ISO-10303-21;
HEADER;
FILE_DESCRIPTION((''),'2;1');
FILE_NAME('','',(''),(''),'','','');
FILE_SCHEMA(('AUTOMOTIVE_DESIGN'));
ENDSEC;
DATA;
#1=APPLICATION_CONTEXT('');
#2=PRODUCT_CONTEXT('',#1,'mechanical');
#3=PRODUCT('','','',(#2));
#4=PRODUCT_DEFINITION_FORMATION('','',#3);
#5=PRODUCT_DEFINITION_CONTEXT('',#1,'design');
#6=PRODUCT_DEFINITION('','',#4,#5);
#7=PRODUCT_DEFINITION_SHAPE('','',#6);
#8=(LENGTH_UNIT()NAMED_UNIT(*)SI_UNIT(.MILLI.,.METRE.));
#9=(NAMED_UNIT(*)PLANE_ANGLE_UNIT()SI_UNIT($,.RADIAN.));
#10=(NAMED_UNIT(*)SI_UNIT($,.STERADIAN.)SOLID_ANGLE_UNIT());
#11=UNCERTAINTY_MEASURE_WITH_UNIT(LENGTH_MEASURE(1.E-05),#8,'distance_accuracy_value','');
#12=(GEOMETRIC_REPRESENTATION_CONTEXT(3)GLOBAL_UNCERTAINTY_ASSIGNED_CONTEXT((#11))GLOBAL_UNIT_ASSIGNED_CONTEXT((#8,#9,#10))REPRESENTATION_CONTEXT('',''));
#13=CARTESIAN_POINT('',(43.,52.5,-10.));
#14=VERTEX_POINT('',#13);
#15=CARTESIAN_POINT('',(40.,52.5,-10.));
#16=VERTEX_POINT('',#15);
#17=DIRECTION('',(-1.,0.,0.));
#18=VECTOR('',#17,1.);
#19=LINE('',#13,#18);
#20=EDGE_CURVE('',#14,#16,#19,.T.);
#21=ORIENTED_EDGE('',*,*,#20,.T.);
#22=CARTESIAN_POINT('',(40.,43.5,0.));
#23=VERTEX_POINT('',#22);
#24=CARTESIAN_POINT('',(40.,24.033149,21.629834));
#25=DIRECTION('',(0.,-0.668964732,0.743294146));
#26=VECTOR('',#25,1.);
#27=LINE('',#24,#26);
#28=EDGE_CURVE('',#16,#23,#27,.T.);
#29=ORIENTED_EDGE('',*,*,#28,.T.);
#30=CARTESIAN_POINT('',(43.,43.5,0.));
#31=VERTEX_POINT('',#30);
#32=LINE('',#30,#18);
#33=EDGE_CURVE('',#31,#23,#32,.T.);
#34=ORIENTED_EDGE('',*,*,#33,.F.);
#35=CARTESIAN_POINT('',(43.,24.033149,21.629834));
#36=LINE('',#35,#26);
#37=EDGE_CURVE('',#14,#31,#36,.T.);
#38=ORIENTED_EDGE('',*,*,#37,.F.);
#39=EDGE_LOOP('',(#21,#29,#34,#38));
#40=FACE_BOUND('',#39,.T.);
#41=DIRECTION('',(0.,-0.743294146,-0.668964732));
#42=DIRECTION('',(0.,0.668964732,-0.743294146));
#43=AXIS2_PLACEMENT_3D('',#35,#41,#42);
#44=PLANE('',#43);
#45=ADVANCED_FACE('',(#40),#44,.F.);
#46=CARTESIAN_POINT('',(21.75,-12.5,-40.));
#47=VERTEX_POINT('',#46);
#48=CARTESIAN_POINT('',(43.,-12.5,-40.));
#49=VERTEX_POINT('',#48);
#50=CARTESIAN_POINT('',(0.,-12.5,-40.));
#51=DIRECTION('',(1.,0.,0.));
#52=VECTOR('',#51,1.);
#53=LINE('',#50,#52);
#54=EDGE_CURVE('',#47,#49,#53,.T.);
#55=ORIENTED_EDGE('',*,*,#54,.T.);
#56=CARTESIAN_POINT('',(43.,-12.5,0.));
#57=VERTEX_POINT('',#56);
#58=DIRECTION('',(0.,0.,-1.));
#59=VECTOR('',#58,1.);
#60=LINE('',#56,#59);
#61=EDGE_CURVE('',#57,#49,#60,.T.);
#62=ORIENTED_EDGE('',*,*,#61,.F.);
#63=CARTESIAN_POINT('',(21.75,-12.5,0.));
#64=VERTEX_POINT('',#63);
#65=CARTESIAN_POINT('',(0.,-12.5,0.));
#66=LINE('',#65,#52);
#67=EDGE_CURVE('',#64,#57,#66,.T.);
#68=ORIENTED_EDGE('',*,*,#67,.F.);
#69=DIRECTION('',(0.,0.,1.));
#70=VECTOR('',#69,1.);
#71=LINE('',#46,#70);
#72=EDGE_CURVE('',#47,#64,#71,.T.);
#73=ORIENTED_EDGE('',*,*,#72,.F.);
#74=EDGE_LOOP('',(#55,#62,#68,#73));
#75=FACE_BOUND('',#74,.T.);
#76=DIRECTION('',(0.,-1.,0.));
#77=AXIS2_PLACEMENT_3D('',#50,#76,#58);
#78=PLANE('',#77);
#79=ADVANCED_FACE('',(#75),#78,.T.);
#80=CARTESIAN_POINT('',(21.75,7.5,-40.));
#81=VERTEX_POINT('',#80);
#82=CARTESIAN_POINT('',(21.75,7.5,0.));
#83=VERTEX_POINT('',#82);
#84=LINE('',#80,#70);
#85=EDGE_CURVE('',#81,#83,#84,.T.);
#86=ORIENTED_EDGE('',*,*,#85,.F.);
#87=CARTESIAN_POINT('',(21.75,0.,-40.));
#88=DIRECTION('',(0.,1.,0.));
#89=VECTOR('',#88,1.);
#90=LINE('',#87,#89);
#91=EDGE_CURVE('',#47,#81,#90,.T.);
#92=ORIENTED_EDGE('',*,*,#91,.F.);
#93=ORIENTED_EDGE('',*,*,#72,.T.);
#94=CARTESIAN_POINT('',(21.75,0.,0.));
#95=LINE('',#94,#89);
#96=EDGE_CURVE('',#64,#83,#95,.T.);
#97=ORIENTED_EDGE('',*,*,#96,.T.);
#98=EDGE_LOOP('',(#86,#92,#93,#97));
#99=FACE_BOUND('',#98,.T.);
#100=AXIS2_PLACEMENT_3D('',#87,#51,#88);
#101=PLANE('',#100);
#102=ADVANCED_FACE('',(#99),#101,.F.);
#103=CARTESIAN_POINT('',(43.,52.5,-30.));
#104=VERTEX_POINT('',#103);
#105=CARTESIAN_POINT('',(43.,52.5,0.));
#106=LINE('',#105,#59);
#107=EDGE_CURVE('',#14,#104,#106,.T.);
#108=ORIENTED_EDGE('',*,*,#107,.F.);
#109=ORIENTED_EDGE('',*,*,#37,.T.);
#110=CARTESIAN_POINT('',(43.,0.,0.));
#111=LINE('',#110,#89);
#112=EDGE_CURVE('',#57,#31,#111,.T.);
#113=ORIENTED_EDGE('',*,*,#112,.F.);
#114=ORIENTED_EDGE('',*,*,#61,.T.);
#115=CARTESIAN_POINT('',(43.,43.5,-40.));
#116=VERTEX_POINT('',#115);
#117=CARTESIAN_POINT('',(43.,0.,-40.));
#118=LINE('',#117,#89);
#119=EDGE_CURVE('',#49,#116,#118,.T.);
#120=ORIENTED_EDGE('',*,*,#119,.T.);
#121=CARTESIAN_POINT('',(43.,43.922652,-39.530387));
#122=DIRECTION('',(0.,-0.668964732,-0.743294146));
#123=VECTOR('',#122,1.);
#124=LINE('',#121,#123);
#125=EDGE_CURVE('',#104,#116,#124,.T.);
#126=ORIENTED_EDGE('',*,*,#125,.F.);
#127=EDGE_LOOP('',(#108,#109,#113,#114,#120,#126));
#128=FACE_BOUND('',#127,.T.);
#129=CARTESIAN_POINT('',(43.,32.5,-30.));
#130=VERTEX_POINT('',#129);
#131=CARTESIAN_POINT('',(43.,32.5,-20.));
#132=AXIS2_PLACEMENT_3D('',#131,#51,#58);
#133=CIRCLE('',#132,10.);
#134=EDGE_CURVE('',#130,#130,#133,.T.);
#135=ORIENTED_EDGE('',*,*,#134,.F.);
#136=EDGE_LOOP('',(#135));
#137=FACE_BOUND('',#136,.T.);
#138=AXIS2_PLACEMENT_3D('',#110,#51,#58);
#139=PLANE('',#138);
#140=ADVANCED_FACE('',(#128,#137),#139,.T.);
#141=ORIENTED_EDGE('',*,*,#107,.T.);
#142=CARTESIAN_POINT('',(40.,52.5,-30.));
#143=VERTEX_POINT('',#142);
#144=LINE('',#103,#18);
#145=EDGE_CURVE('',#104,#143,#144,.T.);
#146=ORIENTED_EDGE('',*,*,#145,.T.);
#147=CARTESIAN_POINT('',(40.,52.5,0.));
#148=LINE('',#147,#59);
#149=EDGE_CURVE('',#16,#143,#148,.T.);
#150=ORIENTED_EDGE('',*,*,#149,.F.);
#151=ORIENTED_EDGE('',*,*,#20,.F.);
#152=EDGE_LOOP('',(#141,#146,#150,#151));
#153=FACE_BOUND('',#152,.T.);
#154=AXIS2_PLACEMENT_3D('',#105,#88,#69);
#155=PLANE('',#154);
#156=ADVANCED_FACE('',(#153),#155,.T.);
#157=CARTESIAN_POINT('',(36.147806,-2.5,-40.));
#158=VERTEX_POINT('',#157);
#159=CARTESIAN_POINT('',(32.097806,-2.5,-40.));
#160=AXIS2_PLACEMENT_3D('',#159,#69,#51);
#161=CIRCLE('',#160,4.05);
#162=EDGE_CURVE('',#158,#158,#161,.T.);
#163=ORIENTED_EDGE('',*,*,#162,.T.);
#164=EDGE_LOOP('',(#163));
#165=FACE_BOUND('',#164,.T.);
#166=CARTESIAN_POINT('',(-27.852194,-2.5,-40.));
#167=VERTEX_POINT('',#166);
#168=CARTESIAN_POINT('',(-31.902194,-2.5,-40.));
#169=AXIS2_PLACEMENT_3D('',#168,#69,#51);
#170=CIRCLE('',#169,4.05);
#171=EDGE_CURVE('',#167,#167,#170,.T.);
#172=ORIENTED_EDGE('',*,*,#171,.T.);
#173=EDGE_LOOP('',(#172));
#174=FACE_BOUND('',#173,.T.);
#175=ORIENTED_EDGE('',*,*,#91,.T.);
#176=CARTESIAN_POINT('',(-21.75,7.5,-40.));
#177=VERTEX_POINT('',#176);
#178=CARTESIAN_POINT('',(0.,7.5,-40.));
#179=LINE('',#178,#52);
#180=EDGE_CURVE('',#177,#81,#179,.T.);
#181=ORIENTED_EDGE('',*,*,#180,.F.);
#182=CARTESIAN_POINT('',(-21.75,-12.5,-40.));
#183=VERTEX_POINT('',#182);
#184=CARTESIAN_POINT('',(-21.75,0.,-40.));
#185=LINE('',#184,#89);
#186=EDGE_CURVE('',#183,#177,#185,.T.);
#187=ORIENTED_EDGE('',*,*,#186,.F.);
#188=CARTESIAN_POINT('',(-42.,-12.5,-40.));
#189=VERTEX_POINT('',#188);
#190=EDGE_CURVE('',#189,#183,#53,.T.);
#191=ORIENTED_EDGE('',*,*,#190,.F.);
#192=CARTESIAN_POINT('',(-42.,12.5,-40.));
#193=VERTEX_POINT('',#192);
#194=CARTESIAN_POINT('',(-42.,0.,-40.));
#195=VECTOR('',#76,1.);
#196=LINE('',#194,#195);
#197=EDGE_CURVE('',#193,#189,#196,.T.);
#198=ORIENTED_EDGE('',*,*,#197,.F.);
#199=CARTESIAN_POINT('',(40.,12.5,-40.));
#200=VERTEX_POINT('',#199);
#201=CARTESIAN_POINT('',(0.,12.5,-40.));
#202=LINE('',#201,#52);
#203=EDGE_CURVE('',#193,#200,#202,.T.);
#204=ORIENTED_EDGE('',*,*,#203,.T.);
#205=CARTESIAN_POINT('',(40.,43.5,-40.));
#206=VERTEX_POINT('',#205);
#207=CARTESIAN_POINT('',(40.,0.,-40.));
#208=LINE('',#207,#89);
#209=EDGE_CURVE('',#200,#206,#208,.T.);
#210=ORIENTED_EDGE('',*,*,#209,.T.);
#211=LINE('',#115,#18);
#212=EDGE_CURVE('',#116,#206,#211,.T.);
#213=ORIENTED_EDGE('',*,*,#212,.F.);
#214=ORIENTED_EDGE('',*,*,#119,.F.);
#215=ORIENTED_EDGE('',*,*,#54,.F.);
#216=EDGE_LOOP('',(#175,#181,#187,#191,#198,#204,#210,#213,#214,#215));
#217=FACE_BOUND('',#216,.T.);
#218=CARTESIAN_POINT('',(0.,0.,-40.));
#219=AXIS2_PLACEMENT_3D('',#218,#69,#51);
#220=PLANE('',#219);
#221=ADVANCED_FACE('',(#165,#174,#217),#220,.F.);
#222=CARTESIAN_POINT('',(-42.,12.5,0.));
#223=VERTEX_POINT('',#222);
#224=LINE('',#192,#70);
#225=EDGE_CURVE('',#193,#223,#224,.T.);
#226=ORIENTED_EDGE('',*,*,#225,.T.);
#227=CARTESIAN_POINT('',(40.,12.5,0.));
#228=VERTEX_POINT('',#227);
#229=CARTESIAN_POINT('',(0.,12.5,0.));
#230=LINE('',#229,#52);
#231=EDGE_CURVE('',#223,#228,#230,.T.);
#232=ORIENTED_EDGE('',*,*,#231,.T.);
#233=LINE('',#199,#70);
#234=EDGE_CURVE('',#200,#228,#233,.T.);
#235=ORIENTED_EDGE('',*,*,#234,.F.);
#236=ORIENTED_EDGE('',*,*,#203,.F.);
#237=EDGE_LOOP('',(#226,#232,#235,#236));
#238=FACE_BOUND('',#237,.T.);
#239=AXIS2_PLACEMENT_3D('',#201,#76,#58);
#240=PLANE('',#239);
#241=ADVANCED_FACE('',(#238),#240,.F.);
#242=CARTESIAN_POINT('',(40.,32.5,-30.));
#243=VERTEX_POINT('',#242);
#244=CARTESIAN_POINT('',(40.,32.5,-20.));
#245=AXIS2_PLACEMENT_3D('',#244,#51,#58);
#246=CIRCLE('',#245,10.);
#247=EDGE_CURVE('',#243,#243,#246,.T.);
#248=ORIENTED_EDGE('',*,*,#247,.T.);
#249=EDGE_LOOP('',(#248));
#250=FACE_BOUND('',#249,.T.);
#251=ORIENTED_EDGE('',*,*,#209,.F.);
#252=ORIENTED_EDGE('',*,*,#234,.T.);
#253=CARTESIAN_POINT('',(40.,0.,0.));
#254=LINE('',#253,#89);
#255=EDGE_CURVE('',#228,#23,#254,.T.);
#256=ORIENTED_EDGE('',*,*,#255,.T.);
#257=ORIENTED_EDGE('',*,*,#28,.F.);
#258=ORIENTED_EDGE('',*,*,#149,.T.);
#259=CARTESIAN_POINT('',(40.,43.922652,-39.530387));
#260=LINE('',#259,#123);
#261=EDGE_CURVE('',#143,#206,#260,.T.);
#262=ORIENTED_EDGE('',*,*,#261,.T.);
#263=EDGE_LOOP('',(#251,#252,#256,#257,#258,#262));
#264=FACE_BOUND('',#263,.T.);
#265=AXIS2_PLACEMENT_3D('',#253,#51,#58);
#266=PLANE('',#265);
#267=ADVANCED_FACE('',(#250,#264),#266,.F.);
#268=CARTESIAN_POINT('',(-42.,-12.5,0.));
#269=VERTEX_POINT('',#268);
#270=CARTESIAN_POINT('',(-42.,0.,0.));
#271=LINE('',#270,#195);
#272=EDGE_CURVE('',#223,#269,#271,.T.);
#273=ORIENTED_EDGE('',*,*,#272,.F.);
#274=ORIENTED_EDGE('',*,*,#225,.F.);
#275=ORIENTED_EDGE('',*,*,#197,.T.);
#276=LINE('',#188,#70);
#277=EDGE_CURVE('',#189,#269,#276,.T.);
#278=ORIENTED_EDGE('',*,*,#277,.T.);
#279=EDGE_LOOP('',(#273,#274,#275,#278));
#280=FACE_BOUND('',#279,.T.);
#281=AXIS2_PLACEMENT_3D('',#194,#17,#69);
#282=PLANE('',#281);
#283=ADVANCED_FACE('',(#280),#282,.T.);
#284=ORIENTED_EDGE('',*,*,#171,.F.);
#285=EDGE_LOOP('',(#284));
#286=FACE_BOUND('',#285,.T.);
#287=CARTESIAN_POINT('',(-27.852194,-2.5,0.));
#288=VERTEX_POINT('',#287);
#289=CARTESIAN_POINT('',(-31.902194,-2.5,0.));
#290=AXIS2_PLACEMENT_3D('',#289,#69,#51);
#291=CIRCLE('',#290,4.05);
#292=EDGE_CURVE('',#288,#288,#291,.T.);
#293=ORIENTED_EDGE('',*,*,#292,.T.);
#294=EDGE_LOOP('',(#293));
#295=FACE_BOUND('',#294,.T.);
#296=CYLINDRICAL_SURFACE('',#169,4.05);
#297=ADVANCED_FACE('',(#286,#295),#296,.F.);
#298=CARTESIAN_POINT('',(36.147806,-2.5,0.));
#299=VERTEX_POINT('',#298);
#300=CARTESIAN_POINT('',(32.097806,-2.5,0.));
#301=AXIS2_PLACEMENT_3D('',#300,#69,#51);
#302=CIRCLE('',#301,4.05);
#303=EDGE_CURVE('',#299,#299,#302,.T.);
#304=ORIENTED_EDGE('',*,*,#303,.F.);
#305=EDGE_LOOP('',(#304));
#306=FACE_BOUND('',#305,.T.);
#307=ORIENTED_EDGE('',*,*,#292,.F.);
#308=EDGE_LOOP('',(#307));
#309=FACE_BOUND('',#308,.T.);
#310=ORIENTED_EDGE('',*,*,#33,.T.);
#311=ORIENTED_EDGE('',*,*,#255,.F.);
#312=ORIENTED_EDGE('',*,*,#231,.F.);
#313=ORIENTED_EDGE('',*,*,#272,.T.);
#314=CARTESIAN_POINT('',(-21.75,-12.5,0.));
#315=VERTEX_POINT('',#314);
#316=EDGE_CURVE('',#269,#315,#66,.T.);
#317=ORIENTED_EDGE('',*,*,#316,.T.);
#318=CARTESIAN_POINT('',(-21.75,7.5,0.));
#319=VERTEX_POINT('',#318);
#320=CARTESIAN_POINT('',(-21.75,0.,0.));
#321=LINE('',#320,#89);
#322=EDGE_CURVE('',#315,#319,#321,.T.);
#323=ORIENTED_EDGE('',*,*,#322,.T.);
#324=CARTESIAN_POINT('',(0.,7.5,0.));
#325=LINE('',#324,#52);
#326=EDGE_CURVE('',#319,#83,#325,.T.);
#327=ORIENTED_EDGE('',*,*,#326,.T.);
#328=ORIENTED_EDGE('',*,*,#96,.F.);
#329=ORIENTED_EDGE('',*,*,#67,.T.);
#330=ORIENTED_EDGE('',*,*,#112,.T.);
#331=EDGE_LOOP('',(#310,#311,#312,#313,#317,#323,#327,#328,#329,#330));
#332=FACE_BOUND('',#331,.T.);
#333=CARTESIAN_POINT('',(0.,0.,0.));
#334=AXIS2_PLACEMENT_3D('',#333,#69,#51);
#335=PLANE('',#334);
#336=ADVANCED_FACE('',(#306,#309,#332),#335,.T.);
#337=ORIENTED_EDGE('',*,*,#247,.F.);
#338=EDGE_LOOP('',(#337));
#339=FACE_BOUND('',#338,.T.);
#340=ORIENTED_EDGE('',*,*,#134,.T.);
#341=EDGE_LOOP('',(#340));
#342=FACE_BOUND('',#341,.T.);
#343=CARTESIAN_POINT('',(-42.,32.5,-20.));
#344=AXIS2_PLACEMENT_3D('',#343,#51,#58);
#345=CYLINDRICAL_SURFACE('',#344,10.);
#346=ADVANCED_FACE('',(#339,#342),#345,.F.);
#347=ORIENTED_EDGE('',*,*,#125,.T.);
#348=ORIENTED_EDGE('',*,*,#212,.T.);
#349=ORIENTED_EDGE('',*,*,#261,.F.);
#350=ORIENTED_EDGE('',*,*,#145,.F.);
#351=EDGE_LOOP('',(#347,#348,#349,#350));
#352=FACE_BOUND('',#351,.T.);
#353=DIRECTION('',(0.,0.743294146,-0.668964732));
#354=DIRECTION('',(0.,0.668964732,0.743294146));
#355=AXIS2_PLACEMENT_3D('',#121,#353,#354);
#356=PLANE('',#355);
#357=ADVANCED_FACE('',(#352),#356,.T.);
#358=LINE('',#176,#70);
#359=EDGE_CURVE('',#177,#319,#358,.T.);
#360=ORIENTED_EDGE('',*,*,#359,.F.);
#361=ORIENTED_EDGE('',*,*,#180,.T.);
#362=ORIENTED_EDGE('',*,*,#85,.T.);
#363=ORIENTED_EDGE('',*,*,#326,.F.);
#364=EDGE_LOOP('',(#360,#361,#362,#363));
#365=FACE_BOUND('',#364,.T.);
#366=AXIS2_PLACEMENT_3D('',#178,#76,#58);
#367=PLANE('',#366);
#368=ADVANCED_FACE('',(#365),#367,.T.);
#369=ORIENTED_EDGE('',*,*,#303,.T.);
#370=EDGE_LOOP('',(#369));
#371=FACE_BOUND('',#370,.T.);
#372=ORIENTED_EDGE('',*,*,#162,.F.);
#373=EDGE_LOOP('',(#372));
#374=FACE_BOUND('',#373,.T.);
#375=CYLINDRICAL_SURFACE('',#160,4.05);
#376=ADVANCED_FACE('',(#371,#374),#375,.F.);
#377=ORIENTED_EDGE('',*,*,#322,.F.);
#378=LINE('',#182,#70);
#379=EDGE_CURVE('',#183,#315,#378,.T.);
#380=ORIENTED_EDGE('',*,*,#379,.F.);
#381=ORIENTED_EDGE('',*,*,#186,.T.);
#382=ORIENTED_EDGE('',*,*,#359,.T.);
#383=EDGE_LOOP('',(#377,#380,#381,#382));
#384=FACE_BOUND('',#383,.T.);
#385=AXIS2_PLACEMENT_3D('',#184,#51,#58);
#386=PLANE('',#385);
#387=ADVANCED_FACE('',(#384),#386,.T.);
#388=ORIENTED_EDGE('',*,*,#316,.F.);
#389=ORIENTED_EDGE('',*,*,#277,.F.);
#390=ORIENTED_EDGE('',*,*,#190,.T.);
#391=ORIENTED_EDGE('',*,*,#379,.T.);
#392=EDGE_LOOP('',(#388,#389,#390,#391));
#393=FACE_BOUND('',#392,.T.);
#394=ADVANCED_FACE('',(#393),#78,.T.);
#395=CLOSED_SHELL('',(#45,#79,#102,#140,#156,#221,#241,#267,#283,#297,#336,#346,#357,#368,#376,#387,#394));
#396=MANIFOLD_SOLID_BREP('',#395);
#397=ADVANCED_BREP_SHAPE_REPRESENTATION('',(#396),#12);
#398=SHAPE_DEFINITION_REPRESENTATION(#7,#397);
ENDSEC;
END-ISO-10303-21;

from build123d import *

# Parameters (mm, degrees)
CROQUIS1_R              = 4.05
SALIENTE_EXTRUIR2_DEPTH = 40
SALIENTE_EXTRUIR3_DEPTH = 3
CROQUIS4_R              = 10
CORTAR_EXTRUIR2_DEPTH   = 86


with BuildPart() as part:
    # Croquis1 → Saliente-Extruir2 (new body)
    with BuildSketch(Plane.XY):
        Polygon((42, 12.5), (-42, 12.5), (-42, -12.5), (-21.75, -12.5), (-21.75, 7.5), (21.75, 7.5), (21.75, -12.5), (42, -12.5), align=None)
        with Locations((-31.902194282, -2.5)):
            Circle(CROQUIS1_R, mode=Mode.SUBTRACT)
        with Locations((32.097805718, -2.5)):
            Circle(CROQUIS1_R, mode=Mode.SUBTRACT)
    extrude(amount=-SALIENTE_EXTRUIR2_DEPTH)

    # Croquis3 → Saliente-Extruir3 (add)
    with BuildSketch(Plane(origin=(40, 0, 0), x_dir=(0, 0, -1), z_dir=(1, 0, 0))):
        Polygon((30, 52.5), (40, 43.5), (40, -12.5), (0, -12.5), (0, 43.5), (10, 52.5), align=None)
    extrude(amount=SALIENTE_EXTRUIR3_DEPTH)

    # Croquis4 → Cortar-Extruir2 (cut, through all)
    with BuildSketch(Plane(origin=(43, 0, 0), x_dir=(0, 0, -1), z_dir=(1, 0, 0))):
        with Locations((20, 32.5)):
            Circle(CROQUIS4_R)
    extrude(amount=-CORTAR_EXTRUIR2_DEPTH, mode=Mode.SUBTRACT)


solid = part.part
